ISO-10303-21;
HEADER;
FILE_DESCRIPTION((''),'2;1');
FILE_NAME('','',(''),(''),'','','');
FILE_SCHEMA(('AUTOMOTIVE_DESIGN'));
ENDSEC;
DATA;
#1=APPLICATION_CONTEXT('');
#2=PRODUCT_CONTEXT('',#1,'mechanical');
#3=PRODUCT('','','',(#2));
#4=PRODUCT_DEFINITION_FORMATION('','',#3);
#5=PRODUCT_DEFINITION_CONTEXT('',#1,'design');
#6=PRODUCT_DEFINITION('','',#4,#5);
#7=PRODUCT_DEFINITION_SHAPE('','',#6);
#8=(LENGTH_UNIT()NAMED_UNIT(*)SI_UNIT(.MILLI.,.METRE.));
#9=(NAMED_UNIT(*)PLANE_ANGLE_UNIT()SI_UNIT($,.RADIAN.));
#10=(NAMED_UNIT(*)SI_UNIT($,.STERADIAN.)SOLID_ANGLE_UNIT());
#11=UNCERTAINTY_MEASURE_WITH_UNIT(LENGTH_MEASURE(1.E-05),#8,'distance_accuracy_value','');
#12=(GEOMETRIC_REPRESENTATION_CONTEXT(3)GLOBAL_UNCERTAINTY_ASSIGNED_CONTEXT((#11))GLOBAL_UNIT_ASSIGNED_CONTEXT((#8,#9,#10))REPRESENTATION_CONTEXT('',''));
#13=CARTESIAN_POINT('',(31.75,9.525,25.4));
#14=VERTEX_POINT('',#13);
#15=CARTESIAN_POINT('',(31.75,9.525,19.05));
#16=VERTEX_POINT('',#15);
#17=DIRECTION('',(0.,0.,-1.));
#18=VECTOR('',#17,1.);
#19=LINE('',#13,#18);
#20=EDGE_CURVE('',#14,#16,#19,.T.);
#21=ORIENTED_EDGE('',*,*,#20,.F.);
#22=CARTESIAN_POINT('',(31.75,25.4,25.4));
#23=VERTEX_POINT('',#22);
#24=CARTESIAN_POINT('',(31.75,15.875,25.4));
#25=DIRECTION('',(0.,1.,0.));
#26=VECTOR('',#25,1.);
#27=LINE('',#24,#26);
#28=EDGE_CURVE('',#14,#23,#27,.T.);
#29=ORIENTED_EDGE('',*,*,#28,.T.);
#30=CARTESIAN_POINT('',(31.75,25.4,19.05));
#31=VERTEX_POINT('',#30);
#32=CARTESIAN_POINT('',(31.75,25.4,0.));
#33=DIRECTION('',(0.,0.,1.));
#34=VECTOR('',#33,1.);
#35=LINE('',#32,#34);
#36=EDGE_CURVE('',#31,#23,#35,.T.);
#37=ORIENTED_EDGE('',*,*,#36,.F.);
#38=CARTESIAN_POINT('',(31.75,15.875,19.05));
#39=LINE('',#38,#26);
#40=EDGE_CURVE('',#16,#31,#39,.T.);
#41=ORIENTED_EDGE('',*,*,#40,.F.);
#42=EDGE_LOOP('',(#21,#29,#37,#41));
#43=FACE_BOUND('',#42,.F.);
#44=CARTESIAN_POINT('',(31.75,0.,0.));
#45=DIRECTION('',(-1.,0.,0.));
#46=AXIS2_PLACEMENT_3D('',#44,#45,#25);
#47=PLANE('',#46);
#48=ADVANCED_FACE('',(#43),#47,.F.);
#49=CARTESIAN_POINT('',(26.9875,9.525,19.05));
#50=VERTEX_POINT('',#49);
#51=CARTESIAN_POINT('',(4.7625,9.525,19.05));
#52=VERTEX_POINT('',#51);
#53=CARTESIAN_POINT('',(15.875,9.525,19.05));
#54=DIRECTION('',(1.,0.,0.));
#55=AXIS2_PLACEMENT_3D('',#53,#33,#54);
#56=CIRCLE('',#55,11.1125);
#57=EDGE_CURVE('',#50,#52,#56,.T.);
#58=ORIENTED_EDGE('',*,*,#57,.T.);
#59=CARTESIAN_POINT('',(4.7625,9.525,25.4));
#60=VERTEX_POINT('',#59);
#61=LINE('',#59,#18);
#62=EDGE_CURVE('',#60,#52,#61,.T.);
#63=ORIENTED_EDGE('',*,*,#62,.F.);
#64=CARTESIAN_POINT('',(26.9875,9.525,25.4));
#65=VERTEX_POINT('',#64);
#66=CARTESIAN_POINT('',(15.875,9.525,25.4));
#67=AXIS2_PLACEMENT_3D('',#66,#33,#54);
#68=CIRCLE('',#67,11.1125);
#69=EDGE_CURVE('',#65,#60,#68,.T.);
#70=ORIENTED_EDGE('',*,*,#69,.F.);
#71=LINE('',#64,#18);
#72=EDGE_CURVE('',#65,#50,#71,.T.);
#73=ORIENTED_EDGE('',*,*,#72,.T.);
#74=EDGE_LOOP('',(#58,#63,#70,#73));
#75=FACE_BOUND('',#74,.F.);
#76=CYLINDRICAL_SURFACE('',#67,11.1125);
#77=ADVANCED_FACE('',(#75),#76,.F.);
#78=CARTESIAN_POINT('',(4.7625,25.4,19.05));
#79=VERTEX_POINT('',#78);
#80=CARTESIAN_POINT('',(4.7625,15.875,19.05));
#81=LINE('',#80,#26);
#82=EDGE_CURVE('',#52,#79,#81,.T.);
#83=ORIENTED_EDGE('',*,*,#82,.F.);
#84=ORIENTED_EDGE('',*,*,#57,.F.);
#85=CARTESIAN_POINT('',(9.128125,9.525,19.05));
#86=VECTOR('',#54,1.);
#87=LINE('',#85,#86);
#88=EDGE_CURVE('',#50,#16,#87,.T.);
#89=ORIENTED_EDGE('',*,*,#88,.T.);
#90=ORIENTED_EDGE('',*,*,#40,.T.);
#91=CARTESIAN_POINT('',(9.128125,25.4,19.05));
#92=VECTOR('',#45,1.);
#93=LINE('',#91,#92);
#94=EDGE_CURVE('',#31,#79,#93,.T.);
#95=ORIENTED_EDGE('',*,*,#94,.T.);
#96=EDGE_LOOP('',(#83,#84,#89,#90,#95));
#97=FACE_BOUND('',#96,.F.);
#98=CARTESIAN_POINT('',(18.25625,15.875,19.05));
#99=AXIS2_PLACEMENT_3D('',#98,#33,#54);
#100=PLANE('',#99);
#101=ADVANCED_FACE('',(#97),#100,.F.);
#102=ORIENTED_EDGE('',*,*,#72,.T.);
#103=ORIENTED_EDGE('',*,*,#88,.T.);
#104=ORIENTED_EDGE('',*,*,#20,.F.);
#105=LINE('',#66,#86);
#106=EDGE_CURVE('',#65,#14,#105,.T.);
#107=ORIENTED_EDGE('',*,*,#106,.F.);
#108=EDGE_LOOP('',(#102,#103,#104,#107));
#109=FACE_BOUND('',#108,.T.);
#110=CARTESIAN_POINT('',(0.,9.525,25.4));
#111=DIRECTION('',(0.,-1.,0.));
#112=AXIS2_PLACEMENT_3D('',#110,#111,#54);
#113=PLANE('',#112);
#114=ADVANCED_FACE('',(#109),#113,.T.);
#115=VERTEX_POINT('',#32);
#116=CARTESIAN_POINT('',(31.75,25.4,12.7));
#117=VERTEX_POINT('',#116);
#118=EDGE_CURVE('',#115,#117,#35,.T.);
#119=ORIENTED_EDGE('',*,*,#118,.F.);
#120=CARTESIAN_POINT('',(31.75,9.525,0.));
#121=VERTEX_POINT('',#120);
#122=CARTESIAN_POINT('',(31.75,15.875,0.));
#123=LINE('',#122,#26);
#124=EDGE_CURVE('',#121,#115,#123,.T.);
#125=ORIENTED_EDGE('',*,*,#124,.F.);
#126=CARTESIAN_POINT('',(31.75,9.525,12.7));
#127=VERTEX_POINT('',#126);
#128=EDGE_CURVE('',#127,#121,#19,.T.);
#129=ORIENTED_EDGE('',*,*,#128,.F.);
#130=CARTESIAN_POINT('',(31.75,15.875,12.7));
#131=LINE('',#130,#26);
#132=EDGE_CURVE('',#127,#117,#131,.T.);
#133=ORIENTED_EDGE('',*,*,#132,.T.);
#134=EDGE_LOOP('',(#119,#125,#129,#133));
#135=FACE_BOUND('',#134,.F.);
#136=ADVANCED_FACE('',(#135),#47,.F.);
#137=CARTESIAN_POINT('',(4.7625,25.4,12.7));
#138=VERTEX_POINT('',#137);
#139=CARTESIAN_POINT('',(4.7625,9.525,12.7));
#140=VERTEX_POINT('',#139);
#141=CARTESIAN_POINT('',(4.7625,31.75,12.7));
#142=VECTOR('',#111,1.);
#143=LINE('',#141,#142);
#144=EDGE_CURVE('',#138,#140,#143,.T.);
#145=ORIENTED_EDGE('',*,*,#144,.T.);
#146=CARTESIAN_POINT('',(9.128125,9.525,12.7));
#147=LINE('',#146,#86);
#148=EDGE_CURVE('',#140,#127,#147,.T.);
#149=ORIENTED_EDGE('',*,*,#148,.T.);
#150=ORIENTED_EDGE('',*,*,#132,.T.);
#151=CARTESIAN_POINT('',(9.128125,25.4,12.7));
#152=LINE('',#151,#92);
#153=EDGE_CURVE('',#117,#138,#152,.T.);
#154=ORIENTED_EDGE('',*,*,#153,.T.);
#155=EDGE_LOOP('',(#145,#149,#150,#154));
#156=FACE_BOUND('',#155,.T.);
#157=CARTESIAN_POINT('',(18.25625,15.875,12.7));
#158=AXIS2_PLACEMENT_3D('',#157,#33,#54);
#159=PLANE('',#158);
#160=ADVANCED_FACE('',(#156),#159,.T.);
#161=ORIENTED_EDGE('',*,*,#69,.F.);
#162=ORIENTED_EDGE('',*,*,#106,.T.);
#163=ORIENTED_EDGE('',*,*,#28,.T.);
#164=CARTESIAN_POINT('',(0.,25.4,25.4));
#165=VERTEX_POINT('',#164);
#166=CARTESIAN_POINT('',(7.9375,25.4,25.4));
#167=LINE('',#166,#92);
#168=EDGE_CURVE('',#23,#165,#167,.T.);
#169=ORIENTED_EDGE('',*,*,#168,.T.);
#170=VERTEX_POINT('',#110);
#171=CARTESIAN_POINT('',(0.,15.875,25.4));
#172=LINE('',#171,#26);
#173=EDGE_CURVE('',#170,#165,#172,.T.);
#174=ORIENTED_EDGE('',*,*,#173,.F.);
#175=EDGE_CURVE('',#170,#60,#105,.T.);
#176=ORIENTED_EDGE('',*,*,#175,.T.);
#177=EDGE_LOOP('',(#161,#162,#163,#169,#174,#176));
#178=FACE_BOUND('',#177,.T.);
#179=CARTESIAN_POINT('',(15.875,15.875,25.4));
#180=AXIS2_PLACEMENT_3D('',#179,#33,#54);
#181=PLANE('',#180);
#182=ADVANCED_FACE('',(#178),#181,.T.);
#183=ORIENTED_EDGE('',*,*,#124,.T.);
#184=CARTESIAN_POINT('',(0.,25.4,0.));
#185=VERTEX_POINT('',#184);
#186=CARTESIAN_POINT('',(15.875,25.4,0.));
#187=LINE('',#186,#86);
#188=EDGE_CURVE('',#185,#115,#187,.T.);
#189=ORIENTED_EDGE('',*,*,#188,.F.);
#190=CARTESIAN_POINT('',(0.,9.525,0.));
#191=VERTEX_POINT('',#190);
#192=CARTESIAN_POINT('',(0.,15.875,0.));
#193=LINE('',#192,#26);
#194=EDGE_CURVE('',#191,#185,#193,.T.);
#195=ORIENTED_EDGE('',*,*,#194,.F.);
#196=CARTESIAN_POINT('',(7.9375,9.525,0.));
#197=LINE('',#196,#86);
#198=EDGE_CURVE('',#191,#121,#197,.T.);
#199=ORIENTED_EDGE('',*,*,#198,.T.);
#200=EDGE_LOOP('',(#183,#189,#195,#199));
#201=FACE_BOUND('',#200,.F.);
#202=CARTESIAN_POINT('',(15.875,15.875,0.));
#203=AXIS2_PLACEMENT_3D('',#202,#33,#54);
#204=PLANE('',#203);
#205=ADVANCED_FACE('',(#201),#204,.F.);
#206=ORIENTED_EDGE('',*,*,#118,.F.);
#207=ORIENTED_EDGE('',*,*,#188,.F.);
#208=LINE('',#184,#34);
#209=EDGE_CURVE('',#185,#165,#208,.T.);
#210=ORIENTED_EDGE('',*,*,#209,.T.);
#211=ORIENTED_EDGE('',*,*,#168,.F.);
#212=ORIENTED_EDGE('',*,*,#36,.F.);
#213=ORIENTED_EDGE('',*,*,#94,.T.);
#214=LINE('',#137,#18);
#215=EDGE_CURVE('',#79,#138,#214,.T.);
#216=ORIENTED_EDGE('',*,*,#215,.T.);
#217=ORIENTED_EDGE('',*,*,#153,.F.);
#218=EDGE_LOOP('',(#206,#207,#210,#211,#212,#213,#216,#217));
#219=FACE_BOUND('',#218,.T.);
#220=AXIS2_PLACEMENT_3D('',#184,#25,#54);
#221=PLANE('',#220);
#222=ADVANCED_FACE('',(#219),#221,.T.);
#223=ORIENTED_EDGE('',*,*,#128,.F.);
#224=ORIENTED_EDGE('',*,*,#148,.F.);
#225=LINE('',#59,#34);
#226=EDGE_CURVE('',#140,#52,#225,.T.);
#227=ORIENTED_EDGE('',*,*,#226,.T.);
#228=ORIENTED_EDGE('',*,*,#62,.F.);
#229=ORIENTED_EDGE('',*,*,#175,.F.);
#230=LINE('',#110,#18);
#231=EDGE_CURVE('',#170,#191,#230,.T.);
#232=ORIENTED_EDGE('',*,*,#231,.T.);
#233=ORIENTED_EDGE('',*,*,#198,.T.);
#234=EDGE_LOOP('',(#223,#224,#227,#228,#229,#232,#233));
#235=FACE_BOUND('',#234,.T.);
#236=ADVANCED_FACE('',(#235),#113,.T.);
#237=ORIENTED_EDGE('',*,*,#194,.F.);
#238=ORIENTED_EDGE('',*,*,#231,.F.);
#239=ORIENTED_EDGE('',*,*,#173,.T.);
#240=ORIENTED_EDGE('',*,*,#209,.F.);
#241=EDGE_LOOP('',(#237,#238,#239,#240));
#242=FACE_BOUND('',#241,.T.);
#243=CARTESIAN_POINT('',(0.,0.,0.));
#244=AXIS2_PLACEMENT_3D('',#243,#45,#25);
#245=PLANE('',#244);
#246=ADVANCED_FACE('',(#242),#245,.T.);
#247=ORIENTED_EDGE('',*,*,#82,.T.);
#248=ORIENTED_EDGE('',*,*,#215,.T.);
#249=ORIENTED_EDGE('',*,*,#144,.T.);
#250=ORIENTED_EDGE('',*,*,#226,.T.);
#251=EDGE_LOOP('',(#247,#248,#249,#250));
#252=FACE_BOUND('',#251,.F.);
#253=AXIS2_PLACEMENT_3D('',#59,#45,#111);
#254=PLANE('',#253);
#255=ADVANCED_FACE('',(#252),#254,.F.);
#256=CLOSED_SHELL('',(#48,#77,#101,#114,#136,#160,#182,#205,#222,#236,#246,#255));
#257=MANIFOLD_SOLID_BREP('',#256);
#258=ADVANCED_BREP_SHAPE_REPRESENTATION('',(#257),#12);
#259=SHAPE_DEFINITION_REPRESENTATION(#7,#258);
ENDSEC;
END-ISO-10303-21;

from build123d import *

# Parameters (mm, degrees)
F0_W     = 31.75
F0_H     = 31.75
F1_DEPTH = 25.4
F3_DEPTH = 12.7
F4_W     = 26.9875
F4_H     = 31.75
F5_DEPTH = 6.35
F6_W     = 31.75
F6_H     = 9.525
F7_DEPTH = 25.401
F8_W     = 31.75
F8_H     = 6.35
F9_DEPTH = 25.401


with BuildPart() as f1:
    # F0 (on Top) → F1 (new body)
    with BuildSketch(Plane.XY):
        with Locations((15.875, 15.875)):
            Rectangle(F0_W, F0_H)
    extrude(amount=F1_DEPTH)

    # F2 (on face) → F3 (cut)
    with BuildSketch(Plane.XY.offset(25.4)):
        with BuildLine():
            Line((26.9875, 0), (26.9875, 9.525))
            ThreePointArc((26.9875, 9.525), (15.875, 20.6375), (4.7625, 9.525))
            Line((4.7625, 9.525), (4.7625, 0))
            Line((4.7625, 0), (26.9875, 0))
        make_face()
    extrude(amount=-F3_DEPTH, mode=Mode.SUBTRACT)

    # F4 (on face) → F5 (cut)
    with BuildSketch(Plane.XY.offset(12.7)):
        with Locations((18.25625, 15.875)):
            Rectangle(F4_W, F4_H)
    extrude(amount=F5_DEPTH, mode=Mode.SUBTRACT)

    # F6 (on face) → F7 (cut, through all)
    with BuildSketch(Plane.XY.offset(25.4)):
        with Locations((15.875, 4.7625)):
            Rectangle(F6_W, F6_H)
    extrude(amount=-F7_DEPTH, mode=Mode.SUBTRACT)

    # F8 (on Top) → F9 (cut, through all)
    with BuildSketch(Plane.XY):
        with Locations((15.875, 28.575)):
            Rectangle(F8_W, F8_H)
    extrude(amount=F9_DEPTH, mode=Mode.SUBTRACT)


solid = f1.part
